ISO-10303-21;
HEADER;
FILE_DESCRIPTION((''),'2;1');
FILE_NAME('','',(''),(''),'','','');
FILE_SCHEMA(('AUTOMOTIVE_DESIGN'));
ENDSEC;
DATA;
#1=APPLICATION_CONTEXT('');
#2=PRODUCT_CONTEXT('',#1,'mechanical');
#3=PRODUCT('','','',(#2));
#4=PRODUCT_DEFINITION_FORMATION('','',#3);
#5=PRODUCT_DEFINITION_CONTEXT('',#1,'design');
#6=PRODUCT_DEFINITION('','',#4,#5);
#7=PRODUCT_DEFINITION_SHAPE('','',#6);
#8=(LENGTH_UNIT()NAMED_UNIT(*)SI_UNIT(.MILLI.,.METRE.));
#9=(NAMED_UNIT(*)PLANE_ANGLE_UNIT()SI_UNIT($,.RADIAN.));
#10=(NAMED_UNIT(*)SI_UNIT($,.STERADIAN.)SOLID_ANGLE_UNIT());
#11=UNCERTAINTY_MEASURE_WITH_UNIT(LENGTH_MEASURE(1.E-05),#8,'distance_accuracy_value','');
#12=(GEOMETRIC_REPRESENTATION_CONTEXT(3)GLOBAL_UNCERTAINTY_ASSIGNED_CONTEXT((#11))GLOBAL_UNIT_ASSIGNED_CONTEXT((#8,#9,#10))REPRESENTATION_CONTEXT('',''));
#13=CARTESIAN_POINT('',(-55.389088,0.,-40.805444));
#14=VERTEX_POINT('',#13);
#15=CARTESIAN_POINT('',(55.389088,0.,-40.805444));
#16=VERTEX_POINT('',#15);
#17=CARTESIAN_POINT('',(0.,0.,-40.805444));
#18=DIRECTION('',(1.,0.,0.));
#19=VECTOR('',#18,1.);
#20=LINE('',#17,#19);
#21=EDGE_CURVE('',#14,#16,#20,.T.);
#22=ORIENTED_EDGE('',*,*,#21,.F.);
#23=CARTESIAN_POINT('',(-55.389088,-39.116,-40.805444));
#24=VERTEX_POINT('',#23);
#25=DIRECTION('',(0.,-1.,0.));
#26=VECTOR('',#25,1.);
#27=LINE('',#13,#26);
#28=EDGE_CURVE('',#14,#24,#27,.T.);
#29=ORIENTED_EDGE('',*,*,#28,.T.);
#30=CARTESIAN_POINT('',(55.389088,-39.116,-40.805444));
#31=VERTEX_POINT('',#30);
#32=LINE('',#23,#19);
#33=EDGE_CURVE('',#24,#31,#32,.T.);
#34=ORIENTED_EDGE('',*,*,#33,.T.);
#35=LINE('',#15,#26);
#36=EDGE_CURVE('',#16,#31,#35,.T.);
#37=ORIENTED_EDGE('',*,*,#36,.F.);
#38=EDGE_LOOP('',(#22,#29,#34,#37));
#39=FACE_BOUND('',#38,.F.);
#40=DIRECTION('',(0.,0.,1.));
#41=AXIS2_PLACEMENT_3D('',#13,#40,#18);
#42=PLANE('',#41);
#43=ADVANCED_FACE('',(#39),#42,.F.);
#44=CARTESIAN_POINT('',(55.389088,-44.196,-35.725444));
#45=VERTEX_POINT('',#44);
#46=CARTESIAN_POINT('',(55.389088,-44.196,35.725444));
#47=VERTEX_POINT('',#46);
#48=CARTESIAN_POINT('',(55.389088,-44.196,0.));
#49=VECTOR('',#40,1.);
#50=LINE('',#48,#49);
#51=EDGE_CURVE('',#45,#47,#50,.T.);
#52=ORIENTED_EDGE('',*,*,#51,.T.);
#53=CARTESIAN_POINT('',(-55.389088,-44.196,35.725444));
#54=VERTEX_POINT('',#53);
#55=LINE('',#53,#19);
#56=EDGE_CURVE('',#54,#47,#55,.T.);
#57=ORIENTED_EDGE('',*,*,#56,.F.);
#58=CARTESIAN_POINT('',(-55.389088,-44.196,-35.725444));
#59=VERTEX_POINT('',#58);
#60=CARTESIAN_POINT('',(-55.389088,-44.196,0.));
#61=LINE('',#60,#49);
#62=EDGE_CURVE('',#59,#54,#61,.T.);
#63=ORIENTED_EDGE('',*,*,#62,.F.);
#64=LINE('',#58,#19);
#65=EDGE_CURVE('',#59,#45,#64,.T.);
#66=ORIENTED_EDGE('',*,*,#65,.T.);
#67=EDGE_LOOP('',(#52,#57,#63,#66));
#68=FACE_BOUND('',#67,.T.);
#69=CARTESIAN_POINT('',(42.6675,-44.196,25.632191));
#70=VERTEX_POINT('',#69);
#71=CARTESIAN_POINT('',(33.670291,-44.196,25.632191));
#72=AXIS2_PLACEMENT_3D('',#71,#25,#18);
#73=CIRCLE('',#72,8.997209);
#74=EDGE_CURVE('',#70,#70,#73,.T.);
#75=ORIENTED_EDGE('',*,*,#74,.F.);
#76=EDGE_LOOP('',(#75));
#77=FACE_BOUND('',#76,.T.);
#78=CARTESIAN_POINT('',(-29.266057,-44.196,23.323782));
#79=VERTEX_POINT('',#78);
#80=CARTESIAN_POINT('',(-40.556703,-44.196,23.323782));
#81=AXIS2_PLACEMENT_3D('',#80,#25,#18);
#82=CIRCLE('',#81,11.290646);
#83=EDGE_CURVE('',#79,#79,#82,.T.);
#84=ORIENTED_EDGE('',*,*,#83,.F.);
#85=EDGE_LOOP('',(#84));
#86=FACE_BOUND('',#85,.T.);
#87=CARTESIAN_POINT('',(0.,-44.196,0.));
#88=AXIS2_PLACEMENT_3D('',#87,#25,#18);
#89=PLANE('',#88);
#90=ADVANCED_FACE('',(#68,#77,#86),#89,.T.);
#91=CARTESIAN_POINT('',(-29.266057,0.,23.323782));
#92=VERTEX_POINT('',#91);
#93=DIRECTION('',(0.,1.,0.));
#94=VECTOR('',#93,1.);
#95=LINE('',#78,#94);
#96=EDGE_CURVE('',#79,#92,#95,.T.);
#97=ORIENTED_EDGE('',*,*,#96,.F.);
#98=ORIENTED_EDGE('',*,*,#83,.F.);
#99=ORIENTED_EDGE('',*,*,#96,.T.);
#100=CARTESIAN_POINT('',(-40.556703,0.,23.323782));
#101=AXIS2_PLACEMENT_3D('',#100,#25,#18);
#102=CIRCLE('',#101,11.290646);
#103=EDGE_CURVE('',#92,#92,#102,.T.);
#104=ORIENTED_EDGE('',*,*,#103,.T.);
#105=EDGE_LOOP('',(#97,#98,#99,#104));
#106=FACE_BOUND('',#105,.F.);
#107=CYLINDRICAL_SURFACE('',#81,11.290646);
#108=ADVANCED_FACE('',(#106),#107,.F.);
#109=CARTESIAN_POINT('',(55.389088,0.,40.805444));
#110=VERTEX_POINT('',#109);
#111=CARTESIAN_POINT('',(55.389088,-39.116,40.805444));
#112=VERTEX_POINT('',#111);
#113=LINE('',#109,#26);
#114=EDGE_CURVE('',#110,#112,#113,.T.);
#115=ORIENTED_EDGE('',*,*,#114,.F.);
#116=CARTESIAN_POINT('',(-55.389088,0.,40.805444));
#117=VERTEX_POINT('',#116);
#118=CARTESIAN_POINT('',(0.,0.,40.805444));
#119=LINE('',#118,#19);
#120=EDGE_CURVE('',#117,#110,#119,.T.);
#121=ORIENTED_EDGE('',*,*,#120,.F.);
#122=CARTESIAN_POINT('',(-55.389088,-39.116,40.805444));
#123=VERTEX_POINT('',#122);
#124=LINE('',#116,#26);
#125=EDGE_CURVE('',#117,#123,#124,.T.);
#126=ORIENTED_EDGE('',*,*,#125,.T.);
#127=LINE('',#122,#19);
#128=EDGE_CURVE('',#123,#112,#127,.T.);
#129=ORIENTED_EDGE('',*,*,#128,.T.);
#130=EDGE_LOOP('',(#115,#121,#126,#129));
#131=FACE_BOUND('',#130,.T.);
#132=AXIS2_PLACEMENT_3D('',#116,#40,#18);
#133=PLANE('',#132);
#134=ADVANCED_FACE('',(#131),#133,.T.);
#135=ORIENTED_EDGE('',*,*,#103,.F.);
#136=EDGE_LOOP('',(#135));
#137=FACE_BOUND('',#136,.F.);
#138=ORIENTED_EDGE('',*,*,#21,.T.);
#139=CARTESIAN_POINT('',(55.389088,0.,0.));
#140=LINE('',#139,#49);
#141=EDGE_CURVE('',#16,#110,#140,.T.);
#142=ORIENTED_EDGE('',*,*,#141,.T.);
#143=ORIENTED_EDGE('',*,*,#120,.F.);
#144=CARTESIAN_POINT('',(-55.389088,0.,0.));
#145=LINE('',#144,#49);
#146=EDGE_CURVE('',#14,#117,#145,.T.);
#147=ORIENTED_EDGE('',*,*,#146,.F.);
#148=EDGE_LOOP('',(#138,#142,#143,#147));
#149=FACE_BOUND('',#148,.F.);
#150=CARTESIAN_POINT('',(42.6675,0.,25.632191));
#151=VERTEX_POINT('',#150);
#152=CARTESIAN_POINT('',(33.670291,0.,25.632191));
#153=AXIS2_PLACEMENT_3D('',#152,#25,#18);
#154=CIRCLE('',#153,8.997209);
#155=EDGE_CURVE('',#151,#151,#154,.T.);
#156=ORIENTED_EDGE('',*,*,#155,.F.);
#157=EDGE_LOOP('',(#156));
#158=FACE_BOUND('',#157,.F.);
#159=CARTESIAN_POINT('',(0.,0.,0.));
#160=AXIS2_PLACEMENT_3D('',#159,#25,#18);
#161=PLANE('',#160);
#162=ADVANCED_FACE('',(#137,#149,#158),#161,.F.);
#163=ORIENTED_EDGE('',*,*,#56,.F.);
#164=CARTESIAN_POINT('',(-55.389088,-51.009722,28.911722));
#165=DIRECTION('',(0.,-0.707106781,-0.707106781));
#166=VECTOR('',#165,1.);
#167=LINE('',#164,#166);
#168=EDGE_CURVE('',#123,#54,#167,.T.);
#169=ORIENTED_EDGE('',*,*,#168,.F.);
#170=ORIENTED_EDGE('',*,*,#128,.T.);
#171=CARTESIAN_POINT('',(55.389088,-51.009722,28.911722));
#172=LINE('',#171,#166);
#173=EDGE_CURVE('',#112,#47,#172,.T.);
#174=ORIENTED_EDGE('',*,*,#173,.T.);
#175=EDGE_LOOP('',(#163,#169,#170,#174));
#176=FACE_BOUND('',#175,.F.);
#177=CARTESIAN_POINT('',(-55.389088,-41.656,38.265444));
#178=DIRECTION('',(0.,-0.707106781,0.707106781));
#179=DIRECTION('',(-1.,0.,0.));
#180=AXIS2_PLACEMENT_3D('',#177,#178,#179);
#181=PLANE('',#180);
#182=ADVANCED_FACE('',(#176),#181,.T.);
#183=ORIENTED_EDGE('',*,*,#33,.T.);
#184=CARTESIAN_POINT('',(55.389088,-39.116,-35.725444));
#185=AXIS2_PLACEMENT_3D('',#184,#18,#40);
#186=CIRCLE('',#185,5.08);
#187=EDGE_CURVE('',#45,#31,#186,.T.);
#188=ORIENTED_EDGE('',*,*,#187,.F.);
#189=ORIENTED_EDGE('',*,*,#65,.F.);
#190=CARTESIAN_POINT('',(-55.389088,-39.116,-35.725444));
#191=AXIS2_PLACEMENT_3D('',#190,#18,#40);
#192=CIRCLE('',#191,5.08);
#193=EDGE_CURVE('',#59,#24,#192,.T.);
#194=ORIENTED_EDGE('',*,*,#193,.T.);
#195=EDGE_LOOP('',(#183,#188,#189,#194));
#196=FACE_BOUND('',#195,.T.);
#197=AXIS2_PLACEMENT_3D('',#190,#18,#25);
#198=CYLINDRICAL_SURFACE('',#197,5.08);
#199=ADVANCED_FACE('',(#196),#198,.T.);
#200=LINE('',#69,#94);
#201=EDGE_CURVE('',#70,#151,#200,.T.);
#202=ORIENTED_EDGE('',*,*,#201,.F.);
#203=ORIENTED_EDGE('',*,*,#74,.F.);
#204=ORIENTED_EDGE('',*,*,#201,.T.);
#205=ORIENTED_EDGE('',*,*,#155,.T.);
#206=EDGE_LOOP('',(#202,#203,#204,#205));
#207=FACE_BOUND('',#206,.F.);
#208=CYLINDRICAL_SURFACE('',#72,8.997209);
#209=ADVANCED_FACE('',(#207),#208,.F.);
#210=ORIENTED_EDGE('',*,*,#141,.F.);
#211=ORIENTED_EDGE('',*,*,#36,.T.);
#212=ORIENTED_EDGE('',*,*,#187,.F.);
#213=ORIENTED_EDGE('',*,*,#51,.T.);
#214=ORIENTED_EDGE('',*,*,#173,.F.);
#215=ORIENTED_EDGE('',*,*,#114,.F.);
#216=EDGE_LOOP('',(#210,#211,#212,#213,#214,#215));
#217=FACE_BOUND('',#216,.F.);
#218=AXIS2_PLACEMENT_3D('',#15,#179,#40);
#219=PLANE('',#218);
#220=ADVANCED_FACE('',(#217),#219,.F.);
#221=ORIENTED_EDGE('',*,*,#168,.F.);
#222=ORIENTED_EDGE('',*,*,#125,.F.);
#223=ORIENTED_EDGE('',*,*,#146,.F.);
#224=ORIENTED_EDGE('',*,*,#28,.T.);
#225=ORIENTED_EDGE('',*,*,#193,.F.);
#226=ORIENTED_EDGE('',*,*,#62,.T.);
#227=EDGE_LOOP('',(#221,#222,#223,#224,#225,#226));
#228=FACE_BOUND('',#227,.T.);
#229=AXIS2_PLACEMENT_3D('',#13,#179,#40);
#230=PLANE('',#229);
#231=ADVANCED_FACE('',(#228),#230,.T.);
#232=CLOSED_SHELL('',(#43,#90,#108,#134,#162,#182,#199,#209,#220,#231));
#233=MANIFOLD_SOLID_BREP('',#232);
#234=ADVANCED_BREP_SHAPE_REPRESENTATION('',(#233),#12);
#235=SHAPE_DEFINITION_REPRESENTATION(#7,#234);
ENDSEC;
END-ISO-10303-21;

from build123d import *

# Parameters (mm, degrees)
F0_W     = 110.778176
F0_H     = 81.610888
F1_DEPTH = 44.196
F2_R     = 11.290646
F2_R_2   = 8.997209
F3_DEPTH = 44.196
F4_SIZE  = 5.08
F5_R     = 5.08


with BuildPart() as f1:
    # F0 (on Front) → F1 (new body)
    with BuildSketch(Plane.XZ):
        Rectangle(F0_W, F0_H)
    extrude(amount=F1_DEPTH)

    # F2 (on face) → F3 (cut, through all)
    with BuildSketch(Plane.XZ.offset(44.196)):
        with Locations((-40.556703, 23.323782)):
            Circle(F2_R)
        with Locations((33.670291, 25.632191)):
            Circle(F2_R_2)
    extrude(amount=-F3_DEPTH, mode=Mode.SUBTRACT)

    # F4
    f4_edges = [f1.edges().sort_by_distance(p)[0] for p in [
        (0, -44.196, 40.805444),
    ]]
    chamfer(f4_edges, length=F4_SIZE)

    # F5
    f5_edges = [f1.edges().sort_by_distance(p)[0] for p in [
        (0, -44.196, -40.805444),
    ]]
    fillet(f5_edges, radius=F5_R)


solid = f1.part
